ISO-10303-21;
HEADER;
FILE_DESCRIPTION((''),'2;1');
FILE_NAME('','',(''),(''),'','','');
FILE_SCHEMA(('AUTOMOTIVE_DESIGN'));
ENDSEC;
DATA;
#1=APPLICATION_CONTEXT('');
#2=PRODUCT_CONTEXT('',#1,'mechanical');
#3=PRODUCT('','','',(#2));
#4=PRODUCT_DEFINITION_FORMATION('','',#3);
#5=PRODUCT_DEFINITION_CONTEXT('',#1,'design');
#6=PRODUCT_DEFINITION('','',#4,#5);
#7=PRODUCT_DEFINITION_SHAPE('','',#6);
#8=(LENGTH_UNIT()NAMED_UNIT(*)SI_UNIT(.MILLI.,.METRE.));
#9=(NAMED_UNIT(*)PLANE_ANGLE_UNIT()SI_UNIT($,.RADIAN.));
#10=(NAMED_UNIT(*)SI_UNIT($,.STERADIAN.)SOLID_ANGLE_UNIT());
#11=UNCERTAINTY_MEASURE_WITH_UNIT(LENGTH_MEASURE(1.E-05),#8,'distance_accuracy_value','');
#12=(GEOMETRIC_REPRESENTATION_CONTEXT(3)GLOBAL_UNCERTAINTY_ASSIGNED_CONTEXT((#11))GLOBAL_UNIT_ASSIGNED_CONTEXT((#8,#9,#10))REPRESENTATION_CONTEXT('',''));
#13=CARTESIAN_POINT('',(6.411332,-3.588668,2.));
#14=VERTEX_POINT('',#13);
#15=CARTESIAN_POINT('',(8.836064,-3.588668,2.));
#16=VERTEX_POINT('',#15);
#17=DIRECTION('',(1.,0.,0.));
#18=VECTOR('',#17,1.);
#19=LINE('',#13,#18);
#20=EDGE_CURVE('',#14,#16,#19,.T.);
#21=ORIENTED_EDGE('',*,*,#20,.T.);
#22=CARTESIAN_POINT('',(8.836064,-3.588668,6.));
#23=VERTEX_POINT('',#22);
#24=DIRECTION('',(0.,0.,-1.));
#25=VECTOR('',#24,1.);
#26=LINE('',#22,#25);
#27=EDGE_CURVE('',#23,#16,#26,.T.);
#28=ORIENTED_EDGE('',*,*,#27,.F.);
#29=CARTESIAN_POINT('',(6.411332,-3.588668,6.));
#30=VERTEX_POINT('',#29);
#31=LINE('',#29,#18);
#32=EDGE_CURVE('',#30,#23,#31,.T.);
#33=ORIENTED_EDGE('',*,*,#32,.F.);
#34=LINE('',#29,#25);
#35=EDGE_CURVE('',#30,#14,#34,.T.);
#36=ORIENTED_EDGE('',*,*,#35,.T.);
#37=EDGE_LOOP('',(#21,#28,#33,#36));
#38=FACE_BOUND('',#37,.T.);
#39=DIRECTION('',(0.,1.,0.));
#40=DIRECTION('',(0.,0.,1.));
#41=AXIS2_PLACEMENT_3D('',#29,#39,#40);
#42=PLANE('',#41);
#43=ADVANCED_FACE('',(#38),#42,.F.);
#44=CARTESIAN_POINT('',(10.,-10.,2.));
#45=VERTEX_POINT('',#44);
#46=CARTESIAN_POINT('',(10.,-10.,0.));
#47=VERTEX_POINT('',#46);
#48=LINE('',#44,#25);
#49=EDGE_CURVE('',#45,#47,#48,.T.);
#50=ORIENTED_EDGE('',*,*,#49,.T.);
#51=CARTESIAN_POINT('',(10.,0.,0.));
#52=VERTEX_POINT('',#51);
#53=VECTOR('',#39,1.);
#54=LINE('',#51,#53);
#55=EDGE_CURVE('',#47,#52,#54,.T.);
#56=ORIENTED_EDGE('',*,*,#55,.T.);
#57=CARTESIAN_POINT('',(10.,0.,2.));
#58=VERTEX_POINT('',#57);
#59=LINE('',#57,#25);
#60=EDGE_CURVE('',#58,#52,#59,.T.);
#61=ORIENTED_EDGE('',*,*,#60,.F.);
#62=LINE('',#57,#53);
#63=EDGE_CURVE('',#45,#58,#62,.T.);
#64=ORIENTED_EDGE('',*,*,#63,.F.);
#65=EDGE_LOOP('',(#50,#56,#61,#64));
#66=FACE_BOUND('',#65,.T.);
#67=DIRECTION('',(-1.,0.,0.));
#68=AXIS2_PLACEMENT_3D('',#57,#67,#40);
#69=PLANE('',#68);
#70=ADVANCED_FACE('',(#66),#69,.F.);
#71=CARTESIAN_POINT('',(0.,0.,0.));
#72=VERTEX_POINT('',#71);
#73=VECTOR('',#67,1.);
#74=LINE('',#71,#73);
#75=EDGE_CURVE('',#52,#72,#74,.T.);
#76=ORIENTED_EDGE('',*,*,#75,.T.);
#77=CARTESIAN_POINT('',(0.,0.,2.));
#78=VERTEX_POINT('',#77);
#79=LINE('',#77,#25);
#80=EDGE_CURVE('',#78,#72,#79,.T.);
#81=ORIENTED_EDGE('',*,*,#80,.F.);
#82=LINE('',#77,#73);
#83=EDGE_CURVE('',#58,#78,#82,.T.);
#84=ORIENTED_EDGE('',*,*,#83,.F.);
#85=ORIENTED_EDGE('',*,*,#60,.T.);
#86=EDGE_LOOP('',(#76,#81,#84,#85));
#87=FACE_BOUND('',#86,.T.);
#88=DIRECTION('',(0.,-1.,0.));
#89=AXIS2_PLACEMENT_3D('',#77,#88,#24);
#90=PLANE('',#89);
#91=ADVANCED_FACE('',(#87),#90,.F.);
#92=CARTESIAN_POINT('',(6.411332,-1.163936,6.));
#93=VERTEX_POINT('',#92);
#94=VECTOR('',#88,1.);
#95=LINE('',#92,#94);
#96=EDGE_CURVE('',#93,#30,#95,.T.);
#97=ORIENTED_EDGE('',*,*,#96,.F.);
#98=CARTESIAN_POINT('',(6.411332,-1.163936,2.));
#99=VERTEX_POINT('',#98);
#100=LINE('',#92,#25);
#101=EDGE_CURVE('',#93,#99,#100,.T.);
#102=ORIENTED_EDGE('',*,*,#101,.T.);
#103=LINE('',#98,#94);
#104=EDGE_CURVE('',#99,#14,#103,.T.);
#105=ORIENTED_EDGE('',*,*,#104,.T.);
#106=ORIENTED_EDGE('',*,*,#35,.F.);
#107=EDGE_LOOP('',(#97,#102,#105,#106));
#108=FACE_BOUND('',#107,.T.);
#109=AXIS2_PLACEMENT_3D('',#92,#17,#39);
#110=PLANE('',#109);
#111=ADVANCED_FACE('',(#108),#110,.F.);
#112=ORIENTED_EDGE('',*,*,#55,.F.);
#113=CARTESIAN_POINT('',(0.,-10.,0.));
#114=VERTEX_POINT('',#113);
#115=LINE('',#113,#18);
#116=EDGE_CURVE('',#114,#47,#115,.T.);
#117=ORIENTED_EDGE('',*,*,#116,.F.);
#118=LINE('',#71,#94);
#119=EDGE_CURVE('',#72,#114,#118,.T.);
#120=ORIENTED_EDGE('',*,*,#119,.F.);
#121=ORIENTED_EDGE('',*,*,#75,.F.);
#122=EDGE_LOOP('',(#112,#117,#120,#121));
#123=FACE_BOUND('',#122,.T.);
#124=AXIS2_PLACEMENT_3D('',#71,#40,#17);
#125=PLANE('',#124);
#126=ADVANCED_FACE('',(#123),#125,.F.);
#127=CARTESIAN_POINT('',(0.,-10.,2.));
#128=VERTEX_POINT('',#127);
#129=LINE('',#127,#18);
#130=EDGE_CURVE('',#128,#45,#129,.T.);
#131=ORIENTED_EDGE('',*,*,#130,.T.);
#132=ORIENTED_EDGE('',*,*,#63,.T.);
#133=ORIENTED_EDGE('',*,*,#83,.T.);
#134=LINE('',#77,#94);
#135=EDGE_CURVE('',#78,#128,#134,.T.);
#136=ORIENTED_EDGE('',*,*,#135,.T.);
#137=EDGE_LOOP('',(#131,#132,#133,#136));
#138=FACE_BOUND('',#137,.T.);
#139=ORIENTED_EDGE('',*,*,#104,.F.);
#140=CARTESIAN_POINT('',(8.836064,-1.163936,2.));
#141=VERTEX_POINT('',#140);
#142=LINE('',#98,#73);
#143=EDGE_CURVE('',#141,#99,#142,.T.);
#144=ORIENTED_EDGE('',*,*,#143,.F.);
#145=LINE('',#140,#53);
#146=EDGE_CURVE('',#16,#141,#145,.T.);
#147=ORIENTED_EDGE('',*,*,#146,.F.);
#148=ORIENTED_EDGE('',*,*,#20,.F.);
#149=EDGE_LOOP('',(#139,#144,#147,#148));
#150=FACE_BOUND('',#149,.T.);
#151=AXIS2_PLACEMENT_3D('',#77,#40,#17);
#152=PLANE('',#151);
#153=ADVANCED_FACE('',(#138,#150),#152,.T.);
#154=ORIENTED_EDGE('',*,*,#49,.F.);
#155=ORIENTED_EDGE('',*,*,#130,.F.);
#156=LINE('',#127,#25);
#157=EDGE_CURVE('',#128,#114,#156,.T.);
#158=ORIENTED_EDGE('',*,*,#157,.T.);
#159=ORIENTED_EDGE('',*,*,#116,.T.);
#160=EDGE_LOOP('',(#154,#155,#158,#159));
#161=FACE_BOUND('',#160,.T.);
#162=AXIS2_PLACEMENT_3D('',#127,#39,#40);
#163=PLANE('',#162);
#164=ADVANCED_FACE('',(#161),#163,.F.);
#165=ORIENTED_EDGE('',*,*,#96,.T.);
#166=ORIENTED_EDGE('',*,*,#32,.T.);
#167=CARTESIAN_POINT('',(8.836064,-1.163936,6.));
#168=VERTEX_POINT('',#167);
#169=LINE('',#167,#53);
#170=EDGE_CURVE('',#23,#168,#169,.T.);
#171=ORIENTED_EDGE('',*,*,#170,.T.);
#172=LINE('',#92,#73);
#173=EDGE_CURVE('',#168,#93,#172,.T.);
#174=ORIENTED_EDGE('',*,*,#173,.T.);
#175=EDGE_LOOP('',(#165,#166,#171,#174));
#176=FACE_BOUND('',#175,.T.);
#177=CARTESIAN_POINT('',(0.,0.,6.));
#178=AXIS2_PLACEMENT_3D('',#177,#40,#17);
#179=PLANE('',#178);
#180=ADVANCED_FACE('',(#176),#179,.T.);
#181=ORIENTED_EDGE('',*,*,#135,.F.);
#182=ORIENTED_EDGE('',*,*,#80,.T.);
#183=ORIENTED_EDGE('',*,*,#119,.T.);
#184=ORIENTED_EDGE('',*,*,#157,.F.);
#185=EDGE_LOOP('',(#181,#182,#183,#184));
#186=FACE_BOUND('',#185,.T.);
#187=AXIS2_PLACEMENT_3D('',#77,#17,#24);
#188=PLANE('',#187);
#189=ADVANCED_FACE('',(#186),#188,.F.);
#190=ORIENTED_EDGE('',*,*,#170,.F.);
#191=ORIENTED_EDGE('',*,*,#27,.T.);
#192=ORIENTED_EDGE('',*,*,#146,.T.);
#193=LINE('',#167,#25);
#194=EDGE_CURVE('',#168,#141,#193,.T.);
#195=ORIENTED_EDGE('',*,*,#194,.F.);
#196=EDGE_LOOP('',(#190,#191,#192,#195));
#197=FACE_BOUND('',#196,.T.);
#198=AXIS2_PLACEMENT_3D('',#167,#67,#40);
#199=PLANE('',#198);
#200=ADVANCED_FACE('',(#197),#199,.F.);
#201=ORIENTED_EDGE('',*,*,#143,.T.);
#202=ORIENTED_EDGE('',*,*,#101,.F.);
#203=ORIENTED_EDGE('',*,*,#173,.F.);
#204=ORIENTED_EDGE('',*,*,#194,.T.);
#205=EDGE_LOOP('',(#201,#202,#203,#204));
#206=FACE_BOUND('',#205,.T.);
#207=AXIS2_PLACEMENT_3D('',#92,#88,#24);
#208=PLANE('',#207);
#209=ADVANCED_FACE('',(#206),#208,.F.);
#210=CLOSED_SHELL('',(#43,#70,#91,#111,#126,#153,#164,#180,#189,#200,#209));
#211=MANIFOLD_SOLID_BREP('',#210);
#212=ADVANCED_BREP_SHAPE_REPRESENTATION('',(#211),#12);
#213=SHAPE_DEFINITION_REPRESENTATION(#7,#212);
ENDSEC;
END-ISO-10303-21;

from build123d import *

# Parameters (mm, degrees)
SKETCH1_W           = 10
SKETCH1_H           = 10
BOSS_EXTRUDE1_DEPTH = 2
SKETCH2_W           = 2.424732092
SKETCH2_H           = 2.424732092
BOSS_EXTRUDE2_DEPTH = 4


with BuildPart() as part:
    # Sketch1 → Boss-Extrude1 (new body)
    with BuildSketch(Plane.XY):
        with Locations((5, -5)):
            Rectangle(SKETCH1_W, SKETCH1_H)
    extrude(amount=BOSS_EXTRUDE1_DEPTH)

    # Sketch2 → Boss-Extrude2 (add)
    with BuildSketch(Plane.XY.offset(2)):
        with Locations((7.623698074, -2.376301926)):
            Rectangle(SKETCH2_W, SKETCH2_H)
    extrude(amount=BOSS_EXTRUDE2_DEPTH)


solid = part.part
